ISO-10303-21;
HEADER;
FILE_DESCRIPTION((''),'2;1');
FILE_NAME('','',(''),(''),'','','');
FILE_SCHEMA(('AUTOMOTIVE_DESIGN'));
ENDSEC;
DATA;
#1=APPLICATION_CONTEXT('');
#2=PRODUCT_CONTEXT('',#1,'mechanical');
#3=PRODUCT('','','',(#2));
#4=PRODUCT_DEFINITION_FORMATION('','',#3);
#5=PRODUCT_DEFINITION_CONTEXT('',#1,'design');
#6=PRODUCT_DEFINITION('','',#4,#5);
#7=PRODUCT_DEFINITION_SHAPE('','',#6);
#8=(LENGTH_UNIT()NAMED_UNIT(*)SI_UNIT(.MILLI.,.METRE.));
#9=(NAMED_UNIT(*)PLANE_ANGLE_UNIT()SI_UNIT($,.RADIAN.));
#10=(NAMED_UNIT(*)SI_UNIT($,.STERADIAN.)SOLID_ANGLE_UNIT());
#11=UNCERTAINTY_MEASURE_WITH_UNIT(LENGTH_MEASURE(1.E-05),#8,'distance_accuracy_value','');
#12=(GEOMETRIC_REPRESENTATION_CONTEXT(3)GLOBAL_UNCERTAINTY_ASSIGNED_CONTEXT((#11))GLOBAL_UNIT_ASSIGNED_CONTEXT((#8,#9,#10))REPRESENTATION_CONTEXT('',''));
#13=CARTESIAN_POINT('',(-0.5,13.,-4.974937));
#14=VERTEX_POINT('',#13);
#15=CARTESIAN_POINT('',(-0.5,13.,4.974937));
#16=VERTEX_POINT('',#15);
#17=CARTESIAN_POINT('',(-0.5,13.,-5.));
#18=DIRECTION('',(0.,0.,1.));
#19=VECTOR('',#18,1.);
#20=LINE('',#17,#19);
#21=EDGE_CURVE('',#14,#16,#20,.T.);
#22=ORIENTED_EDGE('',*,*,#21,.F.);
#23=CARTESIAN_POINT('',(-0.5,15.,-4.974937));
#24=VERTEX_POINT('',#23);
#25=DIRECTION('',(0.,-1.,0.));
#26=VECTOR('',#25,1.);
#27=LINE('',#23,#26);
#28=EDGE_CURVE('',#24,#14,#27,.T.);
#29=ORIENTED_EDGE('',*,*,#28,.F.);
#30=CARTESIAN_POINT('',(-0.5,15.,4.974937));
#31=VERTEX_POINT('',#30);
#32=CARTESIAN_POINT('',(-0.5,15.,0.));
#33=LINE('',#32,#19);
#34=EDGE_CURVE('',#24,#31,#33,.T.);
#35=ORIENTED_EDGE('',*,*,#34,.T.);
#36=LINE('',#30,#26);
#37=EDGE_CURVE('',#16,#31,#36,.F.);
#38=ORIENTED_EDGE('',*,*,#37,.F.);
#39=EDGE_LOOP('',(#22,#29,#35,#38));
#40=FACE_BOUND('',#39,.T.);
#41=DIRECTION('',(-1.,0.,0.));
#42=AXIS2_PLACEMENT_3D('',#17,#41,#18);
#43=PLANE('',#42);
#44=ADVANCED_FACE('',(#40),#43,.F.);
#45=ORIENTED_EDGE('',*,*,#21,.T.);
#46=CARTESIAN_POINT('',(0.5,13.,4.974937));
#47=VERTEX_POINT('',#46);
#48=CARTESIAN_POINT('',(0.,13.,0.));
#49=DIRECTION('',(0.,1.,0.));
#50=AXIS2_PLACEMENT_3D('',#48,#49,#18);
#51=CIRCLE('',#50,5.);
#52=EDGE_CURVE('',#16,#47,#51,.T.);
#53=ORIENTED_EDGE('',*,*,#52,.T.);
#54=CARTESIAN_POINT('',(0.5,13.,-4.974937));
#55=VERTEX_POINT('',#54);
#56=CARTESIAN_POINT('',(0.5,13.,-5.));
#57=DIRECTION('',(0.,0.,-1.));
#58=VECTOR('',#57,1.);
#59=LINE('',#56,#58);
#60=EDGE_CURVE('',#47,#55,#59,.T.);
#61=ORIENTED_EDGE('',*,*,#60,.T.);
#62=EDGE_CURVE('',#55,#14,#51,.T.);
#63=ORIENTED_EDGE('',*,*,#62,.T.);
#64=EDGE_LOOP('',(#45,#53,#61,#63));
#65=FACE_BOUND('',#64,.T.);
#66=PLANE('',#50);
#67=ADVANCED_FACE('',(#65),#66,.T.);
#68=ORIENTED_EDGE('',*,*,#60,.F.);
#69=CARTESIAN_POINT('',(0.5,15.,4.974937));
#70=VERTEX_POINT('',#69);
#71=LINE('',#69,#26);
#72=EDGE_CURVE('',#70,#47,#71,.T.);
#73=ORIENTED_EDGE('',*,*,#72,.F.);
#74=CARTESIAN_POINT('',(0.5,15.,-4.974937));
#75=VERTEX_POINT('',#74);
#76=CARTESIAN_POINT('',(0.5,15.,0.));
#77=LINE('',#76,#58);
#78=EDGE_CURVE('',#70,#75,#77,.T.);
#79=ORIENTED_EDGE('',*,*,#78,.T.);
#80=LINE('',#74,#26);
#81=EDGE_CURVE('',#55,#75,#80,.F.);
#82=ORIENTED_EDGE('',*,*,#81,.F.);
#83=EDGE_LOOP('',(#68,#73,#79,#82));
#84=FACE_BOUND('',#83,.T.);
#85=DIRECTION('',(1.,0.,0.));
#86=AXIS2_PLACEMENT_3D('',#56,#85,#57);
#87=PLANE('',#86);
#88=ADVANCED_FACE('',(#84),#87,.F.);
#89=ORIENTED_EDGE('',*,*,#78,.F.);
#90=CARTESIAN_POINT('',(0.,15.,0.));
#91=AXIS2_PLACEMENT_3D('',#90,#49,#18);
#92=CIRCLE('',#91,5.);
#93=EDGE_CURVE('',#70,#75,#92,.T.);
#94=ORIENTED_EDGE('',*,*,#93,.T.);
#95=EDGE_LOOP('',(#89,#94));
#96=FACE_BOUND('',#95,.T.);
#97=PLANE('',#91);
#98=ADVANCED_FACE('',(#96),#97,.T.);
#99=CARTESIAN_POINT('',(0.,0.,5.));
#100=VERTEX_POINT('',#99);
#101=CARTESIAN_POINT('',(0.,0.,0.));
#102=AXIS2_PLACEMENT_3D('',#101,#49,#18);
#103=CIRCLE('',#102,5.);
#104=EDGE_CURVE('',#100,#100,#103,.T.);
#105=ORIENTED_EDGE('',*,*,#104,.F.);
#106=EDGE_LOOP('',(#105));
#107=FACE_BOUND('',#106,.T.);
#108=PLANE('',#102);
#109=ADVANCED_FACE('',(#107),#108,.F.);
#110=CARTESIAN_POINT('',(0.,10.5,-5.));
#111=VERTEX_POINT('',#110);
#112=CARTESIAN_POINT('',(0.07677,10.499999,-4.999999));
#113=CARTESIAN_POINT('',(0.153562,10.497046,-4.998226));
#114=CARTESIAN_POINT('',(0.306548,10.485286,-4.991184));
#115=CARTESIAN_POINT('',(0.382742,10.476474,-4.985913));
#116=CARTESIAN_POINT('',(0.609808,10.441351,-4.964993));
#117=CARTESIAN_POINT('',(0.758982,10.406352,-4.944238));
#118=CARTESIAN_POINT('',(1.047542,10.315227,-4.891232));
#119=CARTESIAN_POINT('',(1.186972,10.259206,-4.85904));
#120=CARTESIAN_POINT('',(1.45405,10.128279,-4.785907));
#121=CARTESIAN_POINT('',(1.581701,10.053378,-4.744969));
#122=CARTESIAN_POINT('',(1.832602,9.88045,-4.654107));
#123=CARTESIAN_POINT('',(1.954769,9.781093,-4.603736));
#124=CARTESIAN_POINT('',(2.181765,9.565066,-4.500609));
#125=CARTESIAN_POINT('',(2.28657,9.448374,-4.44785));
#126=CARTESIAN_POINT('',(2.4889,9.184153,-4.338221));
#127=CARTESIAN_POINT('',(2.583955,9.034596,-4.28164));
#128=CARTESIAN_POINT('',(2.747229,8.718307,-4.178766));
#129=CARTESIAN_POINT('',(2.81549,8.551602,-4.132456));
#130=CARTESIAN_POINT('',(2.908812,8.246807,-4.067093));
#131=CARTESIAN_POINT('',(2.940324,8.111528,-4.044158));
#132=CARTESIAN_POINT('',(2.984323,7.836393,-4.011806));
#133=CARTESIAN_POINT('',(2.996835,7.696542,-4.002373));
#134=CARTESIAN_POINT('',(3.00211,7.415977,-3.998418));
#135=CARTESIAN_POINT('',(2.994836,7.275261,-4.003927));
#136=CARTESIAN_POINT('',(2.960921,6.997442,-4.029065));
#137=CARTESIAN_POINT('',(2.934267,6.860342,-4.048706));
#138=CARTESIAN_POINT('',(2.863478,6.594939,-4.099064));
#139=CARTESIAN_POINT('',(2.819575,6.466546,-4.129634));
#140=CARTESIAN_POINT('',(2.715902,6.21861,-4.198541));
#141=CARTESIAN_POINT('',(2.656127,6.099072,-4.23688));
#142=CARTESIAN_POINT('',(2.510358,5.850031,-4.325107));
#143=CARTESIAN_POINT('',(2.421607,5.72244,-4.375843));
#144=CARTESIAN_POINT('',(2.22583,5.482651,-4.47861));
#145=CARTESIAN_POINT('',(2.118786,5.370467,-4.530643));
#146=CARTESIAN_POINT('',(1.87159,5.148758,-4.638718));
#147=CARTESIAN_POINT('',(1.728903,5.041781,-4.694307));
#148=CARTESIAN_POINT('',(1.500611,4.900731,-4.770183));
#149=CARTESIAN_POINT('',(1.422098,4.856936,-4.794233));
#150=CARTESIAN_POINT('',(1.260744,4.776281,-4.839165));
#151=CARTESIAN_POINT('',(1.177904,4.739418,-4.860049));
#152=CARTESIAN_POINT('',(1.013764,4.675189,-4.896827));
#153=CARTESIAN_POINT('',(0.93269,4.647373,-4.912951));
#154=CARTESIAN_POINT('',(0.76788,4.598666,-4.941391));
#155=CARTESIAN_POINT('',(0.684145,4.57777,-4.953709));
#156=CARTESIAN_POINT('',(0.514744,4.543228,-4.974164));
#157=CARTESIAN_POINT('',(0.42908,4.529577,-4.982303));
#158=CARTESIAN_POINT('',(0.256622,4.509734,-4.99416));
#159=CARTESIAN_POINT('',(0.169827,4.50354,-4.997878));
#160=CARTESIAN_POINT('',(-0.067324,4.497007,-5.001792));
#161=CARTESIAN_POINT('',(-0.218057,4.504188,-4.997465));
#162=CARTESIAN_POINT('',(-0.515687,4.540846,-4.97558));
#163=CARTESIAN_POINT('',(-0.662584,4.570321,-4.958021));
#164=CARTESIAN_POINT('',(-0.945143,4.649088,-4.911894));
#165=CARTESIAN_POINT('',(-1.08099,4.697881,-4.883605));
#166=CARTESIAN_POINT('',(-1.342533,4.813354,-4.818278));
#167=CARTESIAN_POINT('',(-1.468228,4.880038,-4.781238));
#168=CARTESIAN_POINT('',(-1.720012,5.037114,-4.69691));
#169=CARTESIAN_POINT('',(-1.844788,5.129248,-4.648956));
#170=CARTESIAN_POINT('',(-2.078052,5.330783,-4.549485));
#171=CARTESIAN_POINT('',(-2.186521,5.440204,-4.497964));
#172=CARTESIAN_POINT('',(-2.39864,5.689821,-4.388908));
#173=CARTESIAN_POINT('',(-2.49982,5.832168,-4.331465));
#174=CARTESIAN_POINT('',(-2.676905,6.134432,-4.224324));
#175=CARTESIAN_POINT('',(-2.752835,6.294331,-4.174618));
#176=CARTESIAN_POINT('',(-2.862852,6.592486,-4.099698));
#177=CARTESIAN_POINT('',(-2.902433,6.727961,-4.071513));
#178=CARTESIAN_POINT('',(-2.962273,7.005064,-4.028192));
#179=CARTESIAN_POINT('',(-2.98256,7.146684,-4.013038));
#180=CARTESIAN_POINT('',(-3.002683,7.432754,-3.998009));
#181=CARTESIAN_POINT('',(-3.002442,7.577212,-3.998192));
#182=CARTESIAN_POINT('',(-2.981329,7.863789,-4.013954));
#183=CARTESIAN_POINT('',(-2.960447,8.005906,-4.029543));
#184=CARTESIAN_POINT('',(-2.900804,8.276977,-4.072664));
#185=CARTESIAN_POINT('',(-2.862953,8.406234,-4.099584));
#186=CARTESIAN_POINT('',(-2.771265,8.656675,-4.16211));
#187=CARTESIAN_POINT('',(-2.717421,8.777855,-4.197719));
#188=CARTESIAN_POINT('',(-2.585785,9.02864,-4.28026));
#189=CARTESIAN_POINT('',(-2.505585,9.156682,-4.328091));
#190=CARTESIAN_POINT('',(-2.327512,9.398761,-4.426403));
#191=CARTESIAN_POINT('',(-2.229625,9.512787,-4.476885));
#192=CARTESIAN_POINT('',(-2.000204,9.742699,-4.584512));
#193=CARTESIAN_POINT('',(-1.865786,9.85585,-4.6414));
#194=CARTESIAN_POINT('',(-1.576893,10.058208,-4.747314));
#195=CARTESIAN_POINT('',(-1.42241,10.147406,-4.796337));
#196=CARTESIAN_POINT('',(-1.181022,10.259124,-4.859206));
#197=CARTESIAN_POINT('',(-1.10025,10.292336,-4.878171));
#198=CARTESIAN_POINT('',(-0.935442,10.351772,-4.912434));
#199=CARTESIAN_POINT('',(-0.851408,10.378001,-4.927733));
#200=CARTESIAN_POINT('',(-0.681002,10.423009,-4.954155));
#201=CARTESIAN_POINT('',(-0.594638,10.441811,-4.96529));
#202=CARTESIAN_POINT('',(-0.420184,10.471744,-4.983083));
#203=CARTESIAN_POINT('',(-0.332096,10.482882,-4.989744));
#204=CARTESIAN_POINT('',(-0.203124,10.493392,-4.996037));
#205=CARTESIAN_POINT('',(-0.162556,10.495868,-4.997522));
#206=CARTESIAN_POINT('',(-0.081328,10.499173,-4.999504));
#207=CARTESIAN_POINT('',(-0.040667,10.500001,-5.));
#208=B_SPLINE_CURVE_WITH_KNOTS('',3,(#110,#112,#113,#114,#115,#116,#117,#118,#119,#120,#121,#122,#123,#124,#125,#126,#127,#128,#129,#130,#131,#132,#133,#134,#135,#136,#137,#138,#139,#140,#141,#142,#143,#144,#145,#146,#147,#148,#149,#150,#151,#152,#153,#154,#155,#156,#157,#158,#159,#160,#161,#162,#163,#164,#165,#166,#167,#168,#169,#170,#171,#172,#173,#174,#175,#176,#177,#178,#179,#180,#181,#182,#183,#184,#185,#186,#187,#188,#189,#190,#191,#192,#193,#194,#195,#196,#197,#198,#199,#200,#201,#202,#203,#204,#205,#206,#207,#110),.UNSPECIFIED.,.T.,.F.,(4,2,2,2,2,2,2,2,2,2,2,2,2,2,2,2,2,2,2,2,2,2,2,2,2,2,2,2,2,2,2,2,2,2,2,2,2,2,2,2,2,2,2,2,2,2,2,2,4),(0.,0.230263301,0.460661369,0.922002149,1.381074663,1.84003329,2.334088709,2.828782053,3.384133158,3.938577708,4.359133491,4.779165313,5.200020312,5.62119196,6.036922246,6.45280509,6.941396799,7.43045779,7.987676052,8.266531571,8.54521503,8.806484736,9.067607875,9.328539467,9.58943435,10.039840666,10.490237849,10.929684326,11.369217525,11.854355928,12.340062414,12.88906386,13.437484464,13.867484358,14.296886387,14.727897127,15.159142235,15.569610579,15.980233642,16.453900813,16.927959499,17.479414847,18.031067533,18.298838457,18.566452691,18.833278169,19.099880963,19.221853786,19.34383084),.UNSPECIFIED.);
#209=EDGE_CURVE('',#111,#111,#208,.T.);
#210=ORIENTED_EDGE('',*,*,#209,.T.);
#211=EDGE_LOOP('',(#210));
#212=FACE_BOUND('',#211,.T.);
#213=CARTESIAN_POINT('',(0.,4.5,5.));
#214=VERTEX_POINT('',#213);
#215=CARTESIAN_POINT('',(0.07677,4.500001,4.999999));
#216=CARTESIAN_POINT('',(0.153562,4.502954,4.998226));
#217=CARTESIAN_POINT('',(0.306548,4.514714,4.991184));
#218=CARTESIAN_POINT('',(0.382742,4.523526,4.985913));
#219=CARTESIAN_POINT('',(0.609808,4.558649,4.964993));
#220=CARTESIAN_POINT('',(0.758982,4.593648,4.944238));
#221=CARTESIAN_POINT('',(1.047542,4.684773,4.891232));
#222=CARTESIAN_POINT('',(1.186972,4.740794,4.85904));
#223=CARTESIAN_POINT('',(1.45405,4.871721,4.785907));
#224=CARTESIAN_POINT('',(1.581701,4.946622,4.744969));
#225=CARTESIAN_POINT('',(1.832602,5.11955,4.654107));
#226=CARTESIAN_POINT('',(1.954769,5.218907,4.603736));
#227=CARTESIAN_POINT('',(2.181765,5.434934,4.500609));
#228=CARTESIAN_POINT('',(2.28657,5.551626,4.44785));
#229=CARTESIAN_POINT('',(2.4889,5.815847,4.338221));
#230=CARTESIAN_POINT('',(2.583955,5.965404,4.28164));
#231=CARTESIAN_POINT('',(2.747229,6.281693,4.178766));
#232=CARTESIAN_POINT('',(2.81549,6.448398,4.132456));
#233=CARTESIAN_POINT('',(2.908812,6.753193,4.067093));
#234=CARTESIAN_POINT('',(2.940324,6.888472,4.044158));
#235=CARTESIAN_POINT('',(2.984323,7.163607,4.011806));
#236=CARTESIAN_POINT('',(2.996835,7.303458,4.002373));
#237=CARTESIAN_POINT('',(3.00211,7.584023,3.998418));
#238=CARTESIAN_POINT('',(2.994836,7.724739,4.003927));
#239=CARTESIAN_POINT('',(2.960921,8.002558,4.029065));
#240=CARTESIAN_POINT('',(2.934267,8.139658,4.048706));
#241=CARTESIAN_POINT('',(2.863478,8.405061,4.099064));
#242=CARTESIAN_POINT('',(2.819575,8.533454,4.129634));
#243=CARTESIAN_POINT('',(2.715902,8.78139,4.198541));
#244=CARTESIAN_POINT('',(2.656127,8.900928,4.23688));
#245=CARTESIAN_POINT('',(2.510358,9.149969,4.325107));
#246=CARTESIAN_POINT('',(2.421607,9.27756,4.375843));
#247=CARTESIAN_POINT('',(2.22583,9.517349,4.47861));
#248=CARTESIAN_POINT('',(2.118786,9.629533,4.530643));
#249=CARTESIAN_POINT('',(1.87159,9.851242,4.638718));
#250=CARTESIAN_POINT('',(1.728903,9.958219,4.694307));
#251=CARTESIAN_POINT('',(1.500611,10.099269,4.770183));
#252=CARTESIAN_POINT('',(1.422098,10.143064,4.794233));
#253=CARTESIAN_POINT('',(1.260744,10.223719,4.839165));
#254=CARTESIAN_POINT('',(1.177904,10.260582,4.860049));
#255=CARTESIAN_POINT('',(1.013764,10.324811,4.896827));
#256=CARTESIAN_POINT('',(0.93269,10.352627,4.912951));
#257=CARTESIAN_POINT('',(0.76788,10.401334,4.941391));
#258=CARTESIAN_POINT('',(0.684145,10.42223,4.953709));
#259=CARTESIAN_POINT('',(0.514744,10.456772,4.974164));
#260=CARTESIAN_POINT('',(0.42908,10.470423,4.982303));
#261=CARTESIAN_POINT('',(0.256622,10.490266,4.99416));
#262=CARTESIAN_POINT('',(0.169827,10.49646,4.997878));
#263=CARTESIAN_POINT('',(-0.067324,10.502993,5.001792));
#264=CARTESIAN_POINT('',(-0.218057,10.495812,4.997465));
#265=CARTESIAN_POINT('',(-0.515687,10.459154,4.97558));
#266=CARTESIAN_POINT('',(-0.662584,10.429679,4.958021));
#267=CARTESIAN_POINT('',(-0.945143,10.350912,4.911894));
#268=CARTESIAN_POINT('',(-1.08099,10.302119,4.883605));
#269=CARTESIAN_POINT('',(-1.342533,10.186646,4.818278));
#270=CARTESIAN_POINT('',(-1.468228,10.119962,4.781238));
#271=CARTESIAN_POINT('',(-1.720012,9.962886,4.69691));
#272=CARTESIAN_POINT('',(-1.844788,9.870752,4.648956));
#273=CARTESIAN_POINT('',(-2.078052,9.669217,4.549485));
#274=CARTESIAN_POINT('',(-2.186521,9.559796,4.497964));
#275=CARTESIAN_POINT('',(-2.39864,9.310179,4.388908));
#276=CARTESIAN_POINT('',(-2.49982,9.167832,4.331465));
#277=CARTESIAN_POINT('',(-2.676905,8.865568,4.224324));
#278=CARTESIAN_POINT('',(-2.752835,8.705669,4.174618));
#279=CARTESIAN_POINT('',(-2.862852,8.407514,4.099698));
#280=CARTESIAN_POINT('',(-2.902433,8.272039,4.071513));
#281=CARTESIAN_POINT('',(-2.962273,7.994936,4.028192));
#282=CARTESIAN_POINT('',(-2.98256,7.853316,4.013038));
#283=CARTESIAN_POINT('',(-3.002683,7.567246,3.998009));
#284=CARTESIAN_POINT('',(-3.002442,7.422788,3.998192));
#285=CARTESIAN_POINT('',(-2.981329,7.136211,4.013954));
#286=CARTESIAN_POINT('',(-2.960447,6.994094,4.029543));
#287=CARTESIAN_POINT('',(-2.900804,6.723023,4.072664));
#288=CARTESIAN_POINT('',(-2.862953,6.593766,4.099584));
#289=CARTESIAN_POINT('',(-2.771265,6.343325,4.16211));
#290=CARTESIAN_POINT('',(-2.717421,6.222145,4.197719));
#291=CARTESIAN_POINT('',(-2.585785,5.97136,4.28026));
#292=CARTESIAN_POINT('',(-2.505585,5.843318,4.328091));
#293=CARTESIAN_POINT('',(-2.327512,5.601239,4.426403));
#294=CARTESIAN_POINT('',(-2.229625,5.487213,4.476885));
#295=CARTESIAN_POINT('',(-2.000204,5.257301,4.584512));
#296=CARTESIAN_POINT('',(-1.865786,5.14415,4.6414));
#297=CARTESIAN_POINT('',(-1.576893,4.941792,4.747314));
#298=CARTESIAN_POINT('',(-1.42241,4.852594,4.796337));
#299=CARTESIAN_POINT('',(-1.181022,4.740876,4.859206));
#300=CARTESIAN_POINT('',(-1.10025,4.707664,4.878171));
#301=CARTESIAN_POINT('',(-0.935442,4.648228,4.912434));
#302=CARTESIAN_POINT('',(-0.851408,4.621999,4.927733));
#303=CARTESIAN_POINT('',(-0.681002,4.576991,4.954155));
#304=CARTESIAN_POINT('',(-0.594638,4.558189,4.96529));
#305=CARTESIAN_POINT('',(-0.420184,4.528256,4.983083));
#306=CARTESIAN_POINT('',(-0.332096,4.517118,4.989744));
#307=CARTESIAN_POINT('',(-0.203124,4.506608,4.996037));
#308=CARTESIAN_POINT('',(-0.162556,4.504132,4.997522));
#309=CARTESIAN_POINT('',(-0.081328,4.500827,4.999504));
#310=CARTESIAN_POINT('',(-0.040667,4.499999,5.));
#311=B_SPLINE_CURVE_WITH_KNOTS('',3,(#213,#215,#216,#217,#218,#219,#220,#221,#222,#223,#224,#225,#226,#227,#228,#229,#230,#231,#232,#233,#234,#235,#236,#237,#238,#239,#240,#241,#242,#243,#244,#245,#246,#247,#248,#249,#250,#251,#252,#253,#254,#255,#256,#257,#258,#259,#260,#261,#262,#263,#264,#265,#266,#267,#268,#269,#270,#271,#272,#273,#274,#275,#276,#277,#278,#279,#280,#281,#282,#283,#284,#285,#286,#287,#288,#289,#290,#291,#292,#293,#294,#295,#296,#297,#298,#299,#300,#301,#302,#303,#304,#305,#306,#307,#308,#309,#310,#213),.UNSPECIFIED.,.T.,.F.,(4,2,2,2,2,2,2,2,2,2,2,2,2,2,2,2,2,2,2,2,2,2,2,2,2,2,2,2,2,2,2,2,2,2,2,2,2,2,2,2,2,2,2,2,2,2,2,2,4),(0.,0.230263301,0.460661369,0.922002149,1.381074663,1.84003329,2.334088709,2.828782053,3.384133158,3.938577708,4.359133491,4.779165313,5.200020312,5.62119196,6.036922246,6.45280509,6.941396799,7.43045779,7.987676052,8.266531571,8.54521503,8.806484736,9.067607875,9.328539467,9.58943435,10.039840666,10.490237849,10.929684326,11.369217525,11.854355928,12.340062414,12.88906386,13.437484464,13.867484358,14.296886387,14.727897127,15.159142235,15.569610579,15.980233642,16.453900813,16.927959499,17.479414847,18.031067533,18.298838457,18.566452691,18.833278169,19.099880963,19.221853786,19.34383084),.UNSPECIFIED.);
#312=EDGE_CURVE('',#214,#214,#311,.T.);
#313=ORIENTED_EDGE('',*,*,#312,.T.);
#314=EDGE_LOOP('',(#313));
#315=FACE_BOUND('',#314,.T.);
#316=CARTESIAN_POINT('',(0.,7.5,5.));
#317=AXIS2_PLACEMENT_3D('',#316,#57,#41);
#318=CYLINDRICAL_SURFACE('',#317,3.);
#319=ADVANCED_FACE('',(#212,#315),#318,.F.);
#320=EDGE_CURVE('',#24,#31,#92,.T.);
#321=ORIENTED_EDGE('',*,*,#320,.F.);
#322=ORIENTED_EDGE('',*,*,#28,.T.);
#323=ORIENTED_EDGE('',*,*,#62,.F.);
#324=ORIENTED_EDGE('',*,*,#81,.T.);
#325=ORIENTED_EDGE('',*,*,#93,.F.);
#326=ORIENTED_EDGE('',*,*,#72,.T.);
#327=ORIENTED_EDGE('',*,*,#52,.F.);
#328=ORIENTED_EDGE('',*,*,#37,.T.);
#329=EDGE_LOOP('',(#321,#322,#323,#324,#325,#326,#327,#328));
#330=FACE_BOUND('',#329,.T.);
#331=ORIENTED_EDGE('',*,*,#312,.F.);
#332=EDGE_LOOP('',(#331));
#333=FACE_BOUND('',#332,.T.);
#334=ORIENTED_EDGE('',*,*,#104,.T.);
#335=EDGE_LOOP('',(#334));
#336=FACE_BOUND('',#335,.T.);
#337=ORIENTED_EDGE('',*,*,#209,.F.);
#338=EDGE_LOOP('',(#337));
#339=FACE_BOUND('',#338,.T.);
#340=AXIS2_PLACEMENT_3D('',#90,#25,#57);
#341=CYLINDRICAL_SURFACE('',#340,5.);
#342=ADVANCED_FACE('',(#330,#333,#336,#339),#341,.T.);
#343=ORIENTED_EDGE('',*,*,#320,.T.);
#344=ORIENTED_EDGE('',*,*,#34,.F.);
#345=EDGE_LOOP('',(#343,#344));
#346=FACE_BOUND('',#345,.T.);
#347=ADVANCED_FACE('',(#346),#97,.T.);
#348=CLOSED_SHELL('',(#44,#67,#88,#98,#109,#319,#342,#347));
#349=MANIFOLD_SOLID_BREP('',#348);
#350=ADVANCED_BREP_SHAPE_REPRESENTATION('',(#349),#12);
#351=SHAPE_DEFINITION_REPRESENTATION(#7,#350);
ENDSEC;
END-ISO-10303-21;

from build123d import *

# Parameters (mm, degrees)
SKETCH_1_R               = 5
EXTRUDE_1_DEPTH          = 15
SKETCH_2_W               = 1
SKETCH_2_H               = 10
CUT_EXTRUDE_1_DEPTH      = 2
CUT_EXTRUDE_2_DEPTH      = 5
CUT_EXTRUDE_2_DEPTH_BACK = 5
SKETCH_3_R               = 3


with BuildPart() as part:
    # Эскиз1 → Бобышка-Вытянуть1 (new body)
    with BuildSketch(Plane(origin=(0, 0, 0), x_dir=(1, 0, 0), z_dir=(0, 1, 0))):
        Circle(SKETCH_1_R)
    extrude(amount=EXTRUDE_1_DEPTH)

    # Эскиз2 → Вырез-Вытянуть1 (cut)
    with BuildSketch(Plane(origin=(0, 15, 0), x_dir=(1, 0, 0), z_dir=(0, 1, 0))):
        Rectangle(SKETCH_2_W, SKETCH_2_H)
    extrude(amount=-CUT_EXTRUDE_1_DEPTH, mode=Mode.SUBTRACT)

    # Эскиз3 → Вырез-Вытянуть2 (cut, two sides: drawn at the far end of the back side and taken through both)
    with BuildSketch(Plane.XY.offset(-CUT_EXTRUDE_2_DEPTH_BACK)):
        with Locations((0, 7.5)):
            Circle(SKETCH_3_R)
    extrude(amount=CUT_EXTRUDE_2_DEPTH + CUT_EXTRUDE_2_DEPTH_BACK, mode=Mode.SUBTRACT)


solid = part.part
